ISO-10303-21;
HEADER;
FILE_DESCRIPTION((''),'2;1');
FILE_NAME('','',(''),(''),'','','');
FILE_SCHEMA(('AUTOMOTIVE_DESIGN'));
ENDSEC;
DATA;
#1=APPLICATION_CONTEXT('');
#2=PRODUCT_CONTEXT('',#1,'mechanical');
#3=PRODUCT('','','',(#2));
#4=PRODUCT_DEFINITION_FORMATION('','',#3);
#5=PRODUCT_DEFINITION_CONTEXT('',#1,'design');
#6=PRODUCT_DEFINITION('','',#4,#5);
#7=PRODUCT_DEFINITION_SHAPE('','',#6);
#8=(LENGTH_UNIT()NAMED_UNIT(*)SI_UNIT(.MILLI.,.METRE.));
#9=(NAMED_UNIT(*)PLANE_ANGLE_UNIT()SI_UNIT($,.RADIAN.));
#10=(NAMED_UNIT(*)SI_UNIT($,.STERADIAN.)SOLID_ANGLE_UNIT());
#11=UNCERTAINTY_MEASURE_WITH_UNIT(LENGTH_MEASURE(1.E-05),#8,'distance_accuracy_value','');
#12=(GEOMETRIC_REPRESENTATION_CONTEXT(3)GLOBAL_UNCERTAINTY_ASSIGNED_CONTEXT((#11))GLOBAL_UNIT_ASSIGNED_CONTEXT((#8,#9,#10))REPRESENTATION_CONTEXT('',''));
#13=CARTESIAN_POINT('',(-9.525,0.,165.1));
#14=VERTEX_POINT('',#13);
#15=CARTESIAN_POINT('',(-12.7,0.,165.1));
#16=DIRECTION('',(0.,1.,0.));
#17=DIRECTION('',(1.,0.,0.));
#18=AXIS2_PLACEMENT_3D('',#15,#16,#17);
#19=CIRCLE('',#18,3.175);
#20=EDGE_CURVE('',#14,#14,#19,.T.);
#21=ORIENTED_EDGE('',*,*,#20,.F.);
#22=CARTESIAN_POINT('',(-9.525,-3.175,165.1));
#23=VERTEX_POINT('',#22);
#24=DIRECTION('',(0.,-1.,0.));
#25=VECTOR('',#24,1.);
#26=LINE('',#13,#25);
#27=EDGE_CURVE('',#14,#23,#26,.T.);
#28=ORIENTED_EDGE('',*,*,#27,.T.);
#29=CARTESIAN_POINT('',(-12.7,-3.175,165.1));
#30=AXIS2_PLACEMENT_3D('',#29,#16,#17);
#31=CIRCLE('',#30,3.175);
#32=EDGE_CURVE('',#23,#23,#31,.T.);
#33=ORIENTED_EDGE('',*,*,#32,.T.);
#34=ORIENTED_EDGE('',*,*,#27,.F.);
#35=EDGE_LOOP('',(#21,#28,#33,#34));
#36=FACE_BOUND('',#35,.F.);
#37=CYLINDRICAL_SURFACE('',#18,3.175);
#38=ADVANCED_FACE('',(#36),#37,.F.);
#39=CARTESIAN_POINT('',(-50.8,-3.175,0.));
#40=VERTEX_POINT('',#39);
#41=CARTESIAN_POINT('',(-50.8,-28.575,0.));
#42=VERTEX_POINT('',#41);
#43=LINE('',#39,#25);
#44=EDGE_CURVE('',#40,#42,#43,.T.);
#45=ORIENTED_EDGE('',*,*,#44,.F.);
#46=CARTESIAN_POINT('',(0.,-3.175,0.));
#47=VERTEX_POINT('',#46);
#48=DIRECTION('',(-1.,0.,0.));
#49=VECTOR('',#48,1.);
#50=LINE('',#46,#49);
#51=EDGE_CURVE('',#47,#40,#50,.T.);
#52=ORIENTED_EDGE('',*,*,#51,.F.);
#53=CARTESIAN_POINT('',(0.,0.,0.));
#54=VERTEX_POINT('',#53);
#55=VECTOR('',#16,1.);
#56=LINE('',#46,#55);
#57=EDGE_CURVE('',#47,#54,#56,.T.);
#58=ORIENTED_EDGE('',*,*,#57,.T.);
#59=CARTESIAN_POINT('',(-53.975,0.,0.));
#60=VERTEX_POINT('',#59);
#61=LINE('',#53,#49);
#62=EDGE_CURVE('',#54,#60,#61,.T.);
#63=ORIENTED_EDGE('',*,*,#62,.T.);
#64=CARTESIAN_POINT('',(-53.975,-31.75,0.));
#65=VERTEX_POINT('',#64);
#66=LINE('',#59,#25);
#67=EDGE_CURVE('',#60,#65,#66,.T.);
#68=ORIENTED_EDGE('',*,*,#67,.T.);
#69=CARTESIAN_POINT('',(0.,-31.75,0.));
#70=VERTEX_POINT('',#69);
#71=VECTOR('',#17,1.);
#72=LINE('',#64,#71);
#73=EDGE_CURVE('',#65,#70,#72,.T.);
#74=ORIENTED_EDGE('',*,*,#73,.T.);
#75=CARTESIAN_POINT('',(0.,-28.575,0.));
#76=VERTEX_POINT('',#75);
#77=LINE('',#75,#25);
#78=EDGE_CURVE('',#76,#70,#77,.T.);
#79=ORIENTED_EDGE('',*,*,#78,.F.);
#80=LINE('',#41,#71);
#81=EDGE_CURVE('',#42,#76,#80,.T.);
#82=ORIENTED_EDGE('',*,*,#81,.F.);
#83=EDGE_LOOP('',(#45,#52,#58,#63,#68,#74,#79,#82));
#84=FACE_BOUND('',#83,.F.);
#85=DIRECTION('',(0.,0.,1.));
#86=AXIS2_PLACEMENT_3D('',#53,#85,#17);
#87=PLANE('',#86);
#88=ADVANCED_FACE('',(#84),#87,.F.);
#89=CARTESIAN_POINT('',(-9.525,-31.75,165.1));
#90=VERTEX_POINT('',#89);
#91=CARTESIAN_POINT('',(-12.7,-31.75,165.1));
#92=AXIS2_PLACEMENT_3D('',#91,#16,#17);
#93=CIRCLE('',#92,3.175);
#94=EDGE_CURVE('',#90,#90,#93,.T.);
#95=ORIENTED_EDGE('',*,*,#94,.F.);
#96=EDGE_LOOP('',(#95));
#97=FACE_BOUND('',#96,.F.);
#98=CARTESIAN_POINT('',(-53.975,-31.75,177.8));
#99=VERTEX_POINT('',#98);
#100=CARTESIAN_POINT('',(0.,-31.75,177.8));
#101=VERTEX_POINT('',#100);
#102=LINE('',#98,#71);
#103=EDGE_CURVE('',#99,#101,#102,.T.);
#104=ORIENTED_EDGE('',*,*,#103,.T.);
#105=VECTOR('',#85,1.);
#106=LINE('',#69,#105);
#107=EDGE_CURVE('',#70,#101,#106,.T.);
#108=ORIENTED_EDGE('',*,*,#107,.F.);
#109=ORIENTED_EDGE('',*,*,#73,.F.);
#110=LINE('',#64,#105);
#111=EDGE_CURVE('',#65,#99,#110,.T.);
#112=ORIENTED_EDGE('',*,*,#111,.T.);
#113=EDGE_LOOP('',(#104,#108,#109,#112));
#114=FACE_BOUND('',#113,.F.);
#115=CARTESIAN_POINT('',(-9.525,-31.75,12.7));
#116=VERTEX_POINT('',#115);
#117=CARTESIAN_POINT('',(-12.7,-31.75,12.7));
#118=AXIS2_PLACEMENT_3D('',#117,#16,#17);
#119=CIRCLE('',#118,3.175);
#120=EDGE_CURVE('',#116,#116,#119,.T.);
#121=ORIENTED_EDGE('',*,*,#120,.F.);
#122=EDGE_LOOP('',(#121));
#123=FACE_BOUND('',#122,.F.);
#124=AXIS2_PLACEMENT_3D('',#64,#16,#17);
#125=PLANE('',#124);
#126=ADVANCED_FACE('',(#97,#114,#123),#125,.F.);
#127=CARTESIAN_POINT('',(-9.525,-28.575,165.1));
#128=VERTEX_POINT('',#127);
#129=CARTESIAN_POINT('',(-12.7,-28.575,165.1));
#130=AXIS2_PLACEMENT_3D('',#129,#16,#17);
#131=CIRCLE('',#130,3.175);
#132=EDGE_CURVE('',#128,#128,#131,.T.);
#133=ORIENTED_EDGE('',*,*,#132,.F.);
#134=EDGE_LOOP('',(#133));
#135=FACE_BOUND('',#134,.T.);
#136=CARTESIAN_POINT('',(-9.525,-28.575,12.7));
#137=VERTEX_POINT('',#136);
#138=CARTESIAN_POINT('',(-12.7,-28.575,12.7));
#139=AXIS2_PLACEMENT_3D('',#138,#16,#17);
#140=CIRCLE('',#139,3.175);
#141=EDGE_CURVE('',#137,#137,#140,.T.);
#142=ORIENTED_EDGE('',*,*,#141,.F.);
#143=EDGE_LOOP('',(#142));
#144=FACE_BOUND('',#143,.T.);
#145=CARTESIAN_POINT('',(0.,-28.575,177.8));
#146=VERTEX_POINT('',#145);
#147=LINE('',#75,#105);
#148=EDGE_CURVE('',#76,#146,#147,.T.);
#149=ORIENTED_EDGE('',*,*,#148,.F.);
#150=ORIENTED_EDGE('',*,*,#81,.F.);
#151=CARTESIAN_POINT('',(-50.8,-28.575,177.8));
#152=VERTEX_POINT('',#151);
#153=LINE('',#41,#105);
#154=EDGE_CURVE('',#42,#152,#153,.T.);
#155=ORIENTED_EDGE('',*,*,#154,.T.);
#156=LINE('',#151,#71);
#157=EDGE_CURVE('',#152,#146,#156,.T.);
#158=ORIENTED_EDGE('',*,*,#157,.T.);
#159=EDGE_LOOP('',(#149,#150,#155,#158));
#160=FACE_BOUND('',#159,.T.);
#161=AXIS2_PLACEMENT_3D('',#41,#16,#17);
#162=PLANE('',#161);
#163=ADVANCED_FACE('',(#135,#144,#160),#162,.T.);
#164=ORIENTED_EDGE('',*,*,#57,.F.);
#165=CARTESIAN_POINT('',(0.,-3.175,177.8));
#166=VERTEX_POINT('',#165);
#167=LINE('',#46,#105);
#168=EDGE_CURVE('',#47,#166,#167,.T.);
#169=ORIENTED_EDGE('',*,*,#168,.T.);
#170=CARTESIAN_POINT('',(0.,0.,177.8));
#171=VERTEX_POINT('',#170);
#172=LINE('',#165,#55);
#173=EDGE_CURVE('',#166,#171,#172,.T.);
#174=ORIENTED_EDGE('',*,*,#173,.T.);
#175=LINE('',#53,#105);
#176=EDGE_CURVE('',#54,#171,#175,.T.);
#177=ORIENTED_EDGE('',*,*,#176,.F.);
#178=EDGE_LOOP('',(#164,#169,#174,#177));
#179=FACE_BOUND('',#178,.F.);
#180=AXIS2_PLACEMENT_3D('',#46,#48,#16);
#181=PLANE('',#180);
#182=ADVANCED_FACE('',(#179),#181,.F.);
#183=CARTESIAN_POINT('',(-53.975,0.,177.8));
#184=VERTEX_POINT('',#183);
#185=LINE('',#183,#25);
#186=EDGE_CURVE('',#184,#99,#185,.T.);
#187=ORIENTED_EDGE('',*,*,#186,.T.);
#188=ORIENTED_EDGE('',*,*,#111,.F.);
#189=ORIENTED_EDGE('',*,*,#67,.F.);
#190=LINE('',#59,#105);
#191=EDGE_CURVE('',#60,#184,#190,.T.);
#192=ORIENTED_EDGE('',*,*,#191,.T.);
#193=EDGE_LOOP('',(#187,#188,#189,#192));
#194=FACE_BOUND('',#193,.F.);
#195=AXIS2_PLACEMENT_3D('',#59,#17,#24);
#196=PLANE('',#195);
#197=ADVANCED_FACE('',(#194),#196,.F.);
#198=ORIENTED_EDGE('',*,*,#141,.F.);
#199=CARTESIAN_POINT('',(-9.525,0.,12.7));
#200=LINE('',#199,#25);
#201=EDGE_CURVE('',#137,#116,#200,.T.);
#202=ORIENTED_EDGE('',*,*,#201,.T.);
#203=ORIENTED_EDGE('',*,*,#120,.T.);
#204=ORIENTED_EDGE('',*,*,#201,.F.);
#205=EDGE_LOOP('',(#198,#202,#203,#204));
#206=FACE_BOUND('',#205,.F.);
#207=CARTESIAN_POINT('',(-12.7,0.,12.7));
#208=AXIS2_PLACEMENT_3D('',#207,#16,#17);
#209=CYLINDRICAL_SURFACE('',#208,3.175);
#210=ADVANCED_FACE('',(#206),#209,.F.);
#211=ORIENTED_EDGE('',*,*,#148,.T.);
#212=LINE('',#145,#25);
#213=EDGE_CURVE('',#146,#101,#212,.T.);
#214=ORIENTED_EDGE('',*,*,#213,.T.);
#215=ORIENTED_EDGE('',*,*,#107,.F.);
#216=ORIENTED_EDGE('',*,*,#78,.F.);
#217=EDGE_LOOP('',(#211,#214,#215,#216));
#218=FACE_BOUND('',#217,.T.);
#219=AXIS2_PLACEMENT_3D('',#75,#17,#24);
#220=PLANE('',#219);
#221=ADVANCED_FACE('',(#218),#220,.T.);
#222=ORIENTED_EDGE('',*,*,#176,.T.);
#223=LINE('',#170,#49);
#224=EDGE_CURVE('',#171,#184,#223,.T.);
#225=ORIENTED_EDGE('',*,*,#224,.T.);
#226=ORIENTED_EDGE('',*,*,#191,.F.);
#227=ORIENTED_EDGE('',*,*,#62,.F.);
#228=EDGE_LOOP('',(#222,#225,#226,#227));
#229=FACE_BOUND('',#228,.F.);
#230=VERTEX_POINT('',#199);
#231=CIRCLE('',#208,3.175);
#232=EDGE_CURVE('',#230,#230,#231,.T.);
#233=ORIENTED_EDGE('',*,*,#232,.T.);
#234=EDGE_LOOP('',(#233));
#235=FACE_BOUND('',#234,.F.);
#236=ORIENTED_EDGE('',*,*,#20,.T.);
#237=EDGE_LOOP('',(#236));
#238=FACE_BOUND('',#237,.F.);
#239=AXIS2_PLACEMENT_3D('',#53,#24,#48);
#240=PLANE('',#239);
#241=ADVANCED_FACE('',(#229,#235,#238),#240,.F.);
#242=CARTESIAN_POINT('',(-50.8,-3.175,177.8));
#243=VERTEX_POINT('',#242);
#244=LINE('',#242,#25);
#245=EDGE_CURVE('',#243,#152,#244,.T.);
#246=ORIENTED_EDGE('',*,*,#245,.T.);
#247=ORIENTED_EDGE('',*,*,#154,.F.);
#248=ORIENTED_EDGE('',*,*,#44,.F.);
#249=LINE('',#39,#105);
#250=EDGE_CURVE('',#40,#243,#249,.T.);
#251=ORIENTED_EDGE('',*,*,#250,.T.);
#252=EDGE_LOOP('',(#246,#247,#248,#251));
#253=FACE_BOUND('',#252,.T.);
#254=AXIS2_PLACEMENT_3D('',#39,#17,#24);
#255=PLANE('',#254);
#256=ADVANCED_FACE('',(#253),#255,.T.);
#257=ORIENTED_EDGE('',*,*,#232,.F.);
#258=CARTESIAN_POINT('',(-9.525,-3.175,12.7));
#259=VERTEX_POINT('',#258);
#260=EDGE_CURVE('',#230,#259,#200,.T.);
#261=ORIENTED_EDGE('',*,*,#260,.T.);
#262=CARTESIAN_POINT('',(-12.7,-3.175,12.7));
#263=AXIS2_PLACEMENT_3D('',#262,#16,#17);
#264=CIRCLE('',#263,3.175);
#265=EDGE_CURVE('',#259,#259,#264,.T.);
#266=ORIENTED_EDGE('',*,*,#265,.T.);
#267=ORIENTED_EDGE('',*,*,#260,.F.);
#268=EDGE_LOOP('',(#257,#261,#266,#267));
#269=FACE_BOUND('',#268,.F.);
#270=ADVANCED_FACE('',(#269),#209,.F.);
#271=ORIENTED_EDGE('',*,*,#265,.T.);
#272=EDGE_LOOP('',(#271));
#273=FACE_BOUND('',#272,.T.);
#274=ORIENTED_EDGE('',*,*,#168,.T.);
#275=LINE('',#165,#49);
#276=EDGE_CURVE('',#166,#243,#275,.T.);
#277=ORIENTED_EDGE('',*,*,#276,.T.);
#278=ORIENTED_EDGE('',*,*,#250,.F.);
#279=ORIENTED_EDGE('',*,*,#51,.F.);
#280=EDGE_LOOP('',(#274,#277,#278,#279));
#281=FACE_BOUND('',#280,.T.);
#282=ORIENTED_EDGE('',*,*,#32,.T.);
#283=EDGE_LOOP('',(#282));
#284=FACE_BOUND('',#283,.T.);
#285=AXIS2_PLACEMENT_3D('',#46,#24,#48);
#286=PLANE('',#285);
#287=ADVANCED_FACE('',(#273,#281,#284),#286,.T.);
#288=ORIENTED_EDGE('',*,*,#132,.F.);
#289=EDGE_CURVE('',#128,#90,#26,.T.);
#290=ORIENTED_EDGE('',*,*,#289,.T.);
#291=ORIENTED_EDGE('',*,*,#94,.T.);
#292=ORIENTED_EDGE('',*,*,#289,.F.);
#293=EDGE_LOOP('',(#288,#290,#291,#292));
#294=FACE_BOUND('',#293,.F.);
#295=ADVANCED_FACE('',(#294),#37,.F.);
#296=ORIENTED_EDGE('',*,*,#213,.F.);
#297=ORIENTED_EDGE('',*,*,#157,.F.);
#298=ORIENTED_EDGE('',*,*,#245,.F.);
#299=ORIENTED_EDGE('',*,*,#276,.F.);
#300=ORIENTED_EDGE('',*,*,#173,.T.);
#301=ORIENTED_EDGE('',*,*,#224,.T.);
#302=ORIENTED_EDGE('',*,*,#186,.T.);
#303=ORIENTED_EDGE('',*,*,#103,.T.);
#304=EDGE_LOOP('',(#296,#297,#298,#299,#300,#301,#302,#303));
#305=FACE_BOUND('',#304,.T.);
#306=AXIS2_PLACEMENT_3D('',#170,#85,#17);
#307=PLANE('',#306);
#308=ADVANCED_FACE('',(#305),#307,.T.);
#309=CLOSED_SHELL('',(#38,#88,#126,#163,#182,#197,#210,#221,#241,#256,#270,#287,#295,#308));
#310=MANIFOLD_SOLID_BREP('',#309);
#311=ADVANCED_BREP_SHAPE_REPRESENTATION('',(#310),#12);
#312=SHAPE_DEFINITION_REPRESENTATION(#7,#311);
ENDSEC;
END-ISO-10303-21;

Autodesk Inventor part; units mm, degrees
ref_plane "YZ Plane" through (0, 0, 0) normal (1, 0, 0) x (0, 1, 0)
ref_plane "XZ Plane" through (0, 0, 0) normal (0, 1, 0) x (-1, 0, 0)
ref_plane "XY Plane" through (0, 0, 0) normal (0, 0, 1) x (1, 0, 0)
sketch "Sketch1" plane through (0, 0, 0) normal (0, 0, 1) x (1, 0, 0)
  line L0 (0, 0) -> (-53.975, 0)
  line L1 (-53.975, 0) -> (-53.975, -31.75)
  line L2 (-53.975, -31.75) -> (0, -31.75)
  line L3 (0, -3.175) -> (-50.8, -3.175)
  line L4 (-50.8, -3.175) -> (-50.8, -28.575)
  line L5 (-50.8, -28.575) -> (0, -28.575)
  line L6 (0, -3.175) -> (0, 0)
  line L7 (0, -28.575) -> (0, -31.75)
  dimension "d3" = 3.175
  dimension "d6" = 25.4
  dimension "d7" = 50.8
extrude "Extrusion1" add sketch "Sketch1" along normal blind 177.8
sketch "Sketch2" plane through (-53.975, 0, 0) normal (0, 1, 0) x (1, 0, 0)
  circle A0 centre (41.275, -165.1) radius 3.175
  line L0 (53.975, 0) -> (53.975, -177.8) projected
  circle A1 centre (41.275, -12.7) radius 3.175
  line L1 (53.975, -177.8) -> (0, -177.8) projected
  line L2 (53.975, 0) -> (0, 0) projected
  dimension "d8" = 6.35
  dimension "d9" = 12.7
  dimension "d10" = 6.35
  dimension "d11" = 12.7
  dimension "d12" = 12.7
  dimension "d13" = 12.7
extrude "Extrusion2" cut sketch "Sketch2" against normal through all
properties part number "U holder"
